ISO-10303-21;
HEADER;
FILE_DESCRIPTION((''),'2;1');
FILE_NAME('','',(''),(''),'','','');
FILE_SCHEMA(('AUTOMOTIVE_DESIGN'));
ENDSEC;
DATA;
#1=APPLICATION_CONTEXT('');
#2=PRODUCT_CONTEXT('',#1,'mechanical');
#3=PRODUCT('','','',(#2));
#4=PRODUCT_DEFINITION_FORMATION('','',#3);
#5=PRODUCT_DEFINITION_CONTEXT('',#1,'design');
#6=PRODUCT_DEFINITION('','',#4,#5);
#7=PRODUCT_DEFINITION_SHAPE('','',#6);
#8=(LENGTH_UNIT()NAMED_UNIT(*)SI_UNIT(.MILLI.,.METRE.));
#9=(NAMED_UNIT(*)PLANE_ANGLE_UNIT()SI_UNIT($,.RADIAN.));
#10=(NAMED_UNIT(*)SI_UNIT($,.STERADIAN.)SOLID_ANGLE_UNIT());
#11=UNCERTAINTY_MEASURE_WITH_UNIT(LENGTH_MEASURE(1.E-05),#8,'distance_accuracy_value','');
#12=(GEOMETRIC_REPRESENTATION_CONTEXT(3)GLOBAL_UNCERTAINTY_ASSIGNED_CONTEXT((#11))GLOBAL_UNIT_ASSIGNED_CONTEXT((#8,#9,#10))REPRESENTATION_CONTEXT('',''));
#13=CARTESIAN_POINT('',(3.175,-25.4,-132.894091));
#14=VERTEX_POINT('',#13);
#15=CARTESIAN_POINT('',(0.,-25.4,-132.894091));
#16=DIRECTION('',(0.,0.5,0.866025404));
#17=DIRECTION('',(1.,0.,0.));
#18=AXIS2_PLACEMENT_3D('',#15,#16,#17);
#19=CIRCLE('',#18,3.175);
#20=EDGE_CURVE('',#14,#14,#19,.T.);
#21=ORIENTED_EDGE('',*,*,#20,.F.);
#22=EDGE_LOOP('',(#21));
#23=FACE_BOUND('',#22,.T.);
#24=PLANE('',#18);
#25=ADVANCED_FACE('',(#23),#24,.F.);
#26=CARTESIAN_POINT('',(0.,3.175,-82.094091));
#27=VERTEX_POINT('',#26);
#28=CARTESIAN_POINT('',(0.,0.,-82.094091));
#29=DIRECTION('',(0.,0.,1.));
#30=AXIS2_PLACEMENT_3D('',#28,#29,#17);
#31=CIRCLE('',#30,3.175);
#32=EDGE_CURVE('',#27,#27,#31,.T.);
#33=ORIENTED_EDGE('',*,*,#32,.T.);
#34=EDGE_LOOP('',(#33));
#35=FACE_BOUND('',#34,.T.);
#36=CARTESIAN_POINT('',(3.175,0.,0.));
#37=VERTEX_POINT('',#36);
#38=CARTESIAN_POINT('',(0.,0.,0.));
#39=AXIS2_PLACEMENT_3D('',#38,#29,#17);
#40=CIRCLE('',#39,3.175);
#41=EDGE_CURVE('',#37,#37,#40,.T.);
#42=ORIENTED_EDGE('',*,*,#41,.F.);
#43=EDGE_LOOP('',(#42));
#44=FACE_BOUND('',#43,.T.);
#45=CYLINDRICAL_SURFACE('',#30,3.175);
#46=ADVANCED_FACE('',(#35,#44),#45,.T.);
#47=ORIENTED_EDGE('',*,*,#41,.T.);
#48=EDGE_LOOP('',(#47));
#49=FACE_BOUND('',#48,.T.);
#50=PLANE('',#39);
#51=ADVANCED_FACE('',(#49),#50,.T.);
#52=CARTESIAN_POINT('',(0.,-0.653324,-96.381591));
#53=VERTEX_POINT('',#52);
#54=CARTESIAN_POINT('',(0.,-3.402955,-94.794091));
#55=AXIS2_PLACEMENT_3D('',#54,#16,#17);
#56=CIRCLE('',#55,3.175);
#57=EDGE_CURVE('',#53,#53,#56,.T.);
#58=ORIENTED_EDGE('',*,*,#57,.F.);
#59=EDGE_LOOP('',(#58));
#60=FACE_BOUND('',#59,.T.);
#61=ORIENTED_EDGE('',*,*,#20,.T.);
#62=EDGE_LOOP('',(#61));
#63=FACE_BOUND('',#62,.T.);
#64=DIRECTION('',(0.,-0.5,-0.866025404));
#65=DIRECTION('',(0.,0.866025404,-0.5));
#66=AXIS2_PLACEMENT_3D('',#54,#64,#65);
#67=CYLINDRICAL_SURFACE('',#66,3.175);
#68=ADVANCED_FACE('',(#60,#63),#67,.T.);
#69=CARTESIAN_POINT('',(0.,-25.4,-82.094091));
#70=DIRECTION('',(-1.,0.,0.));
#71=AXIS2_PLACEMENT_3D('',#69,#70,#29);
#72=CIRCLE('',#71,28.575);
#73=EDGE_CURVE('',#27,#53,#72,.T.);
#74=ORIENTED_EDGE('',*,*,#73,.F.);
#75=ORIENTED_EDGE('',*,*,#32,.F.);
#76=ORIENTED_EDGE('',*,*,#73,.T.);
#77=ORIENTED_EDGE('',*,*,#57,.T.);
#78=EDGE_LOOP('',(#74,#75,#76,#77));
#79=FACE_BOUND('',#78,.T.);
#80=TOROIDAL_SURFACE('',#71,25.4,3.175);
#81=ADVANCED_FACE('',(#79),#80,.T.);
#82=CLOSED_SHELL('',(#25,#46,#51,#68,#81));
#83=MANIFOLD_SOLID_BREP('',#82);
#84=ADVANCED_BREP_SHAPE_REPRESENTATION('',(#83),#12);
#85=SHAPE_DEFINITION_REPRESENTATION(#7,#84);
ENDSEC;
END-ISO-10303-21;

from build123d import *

# Parameters (mm, degrees)
SKETCH2_R = 3.175


with BuildPart() as part:
    # Sweep1: sweep along a path in Sketch4
    with BuildLine(Plane(origin=(0, 0, 0), x_dir=(0, 0, -1), z_dir=(1, 0, 0))) as sweep1_path:
        Line((0, 0), (82.094090512, 0))
        ThreePointArc((82.094090512, 0), (88.668094258, -0.865484012), (94.794090512, -3.402954744))
        Line((94.794090512, -3.402954744), (132.894090512, -25.4))
    # Sketch2 → Sweep1 (sweep)
    with BuildSketch(Plane.XY):
        Circle(SKETCH2_R)
    sweep(path=sweep1_path.line)


solid = part.part
